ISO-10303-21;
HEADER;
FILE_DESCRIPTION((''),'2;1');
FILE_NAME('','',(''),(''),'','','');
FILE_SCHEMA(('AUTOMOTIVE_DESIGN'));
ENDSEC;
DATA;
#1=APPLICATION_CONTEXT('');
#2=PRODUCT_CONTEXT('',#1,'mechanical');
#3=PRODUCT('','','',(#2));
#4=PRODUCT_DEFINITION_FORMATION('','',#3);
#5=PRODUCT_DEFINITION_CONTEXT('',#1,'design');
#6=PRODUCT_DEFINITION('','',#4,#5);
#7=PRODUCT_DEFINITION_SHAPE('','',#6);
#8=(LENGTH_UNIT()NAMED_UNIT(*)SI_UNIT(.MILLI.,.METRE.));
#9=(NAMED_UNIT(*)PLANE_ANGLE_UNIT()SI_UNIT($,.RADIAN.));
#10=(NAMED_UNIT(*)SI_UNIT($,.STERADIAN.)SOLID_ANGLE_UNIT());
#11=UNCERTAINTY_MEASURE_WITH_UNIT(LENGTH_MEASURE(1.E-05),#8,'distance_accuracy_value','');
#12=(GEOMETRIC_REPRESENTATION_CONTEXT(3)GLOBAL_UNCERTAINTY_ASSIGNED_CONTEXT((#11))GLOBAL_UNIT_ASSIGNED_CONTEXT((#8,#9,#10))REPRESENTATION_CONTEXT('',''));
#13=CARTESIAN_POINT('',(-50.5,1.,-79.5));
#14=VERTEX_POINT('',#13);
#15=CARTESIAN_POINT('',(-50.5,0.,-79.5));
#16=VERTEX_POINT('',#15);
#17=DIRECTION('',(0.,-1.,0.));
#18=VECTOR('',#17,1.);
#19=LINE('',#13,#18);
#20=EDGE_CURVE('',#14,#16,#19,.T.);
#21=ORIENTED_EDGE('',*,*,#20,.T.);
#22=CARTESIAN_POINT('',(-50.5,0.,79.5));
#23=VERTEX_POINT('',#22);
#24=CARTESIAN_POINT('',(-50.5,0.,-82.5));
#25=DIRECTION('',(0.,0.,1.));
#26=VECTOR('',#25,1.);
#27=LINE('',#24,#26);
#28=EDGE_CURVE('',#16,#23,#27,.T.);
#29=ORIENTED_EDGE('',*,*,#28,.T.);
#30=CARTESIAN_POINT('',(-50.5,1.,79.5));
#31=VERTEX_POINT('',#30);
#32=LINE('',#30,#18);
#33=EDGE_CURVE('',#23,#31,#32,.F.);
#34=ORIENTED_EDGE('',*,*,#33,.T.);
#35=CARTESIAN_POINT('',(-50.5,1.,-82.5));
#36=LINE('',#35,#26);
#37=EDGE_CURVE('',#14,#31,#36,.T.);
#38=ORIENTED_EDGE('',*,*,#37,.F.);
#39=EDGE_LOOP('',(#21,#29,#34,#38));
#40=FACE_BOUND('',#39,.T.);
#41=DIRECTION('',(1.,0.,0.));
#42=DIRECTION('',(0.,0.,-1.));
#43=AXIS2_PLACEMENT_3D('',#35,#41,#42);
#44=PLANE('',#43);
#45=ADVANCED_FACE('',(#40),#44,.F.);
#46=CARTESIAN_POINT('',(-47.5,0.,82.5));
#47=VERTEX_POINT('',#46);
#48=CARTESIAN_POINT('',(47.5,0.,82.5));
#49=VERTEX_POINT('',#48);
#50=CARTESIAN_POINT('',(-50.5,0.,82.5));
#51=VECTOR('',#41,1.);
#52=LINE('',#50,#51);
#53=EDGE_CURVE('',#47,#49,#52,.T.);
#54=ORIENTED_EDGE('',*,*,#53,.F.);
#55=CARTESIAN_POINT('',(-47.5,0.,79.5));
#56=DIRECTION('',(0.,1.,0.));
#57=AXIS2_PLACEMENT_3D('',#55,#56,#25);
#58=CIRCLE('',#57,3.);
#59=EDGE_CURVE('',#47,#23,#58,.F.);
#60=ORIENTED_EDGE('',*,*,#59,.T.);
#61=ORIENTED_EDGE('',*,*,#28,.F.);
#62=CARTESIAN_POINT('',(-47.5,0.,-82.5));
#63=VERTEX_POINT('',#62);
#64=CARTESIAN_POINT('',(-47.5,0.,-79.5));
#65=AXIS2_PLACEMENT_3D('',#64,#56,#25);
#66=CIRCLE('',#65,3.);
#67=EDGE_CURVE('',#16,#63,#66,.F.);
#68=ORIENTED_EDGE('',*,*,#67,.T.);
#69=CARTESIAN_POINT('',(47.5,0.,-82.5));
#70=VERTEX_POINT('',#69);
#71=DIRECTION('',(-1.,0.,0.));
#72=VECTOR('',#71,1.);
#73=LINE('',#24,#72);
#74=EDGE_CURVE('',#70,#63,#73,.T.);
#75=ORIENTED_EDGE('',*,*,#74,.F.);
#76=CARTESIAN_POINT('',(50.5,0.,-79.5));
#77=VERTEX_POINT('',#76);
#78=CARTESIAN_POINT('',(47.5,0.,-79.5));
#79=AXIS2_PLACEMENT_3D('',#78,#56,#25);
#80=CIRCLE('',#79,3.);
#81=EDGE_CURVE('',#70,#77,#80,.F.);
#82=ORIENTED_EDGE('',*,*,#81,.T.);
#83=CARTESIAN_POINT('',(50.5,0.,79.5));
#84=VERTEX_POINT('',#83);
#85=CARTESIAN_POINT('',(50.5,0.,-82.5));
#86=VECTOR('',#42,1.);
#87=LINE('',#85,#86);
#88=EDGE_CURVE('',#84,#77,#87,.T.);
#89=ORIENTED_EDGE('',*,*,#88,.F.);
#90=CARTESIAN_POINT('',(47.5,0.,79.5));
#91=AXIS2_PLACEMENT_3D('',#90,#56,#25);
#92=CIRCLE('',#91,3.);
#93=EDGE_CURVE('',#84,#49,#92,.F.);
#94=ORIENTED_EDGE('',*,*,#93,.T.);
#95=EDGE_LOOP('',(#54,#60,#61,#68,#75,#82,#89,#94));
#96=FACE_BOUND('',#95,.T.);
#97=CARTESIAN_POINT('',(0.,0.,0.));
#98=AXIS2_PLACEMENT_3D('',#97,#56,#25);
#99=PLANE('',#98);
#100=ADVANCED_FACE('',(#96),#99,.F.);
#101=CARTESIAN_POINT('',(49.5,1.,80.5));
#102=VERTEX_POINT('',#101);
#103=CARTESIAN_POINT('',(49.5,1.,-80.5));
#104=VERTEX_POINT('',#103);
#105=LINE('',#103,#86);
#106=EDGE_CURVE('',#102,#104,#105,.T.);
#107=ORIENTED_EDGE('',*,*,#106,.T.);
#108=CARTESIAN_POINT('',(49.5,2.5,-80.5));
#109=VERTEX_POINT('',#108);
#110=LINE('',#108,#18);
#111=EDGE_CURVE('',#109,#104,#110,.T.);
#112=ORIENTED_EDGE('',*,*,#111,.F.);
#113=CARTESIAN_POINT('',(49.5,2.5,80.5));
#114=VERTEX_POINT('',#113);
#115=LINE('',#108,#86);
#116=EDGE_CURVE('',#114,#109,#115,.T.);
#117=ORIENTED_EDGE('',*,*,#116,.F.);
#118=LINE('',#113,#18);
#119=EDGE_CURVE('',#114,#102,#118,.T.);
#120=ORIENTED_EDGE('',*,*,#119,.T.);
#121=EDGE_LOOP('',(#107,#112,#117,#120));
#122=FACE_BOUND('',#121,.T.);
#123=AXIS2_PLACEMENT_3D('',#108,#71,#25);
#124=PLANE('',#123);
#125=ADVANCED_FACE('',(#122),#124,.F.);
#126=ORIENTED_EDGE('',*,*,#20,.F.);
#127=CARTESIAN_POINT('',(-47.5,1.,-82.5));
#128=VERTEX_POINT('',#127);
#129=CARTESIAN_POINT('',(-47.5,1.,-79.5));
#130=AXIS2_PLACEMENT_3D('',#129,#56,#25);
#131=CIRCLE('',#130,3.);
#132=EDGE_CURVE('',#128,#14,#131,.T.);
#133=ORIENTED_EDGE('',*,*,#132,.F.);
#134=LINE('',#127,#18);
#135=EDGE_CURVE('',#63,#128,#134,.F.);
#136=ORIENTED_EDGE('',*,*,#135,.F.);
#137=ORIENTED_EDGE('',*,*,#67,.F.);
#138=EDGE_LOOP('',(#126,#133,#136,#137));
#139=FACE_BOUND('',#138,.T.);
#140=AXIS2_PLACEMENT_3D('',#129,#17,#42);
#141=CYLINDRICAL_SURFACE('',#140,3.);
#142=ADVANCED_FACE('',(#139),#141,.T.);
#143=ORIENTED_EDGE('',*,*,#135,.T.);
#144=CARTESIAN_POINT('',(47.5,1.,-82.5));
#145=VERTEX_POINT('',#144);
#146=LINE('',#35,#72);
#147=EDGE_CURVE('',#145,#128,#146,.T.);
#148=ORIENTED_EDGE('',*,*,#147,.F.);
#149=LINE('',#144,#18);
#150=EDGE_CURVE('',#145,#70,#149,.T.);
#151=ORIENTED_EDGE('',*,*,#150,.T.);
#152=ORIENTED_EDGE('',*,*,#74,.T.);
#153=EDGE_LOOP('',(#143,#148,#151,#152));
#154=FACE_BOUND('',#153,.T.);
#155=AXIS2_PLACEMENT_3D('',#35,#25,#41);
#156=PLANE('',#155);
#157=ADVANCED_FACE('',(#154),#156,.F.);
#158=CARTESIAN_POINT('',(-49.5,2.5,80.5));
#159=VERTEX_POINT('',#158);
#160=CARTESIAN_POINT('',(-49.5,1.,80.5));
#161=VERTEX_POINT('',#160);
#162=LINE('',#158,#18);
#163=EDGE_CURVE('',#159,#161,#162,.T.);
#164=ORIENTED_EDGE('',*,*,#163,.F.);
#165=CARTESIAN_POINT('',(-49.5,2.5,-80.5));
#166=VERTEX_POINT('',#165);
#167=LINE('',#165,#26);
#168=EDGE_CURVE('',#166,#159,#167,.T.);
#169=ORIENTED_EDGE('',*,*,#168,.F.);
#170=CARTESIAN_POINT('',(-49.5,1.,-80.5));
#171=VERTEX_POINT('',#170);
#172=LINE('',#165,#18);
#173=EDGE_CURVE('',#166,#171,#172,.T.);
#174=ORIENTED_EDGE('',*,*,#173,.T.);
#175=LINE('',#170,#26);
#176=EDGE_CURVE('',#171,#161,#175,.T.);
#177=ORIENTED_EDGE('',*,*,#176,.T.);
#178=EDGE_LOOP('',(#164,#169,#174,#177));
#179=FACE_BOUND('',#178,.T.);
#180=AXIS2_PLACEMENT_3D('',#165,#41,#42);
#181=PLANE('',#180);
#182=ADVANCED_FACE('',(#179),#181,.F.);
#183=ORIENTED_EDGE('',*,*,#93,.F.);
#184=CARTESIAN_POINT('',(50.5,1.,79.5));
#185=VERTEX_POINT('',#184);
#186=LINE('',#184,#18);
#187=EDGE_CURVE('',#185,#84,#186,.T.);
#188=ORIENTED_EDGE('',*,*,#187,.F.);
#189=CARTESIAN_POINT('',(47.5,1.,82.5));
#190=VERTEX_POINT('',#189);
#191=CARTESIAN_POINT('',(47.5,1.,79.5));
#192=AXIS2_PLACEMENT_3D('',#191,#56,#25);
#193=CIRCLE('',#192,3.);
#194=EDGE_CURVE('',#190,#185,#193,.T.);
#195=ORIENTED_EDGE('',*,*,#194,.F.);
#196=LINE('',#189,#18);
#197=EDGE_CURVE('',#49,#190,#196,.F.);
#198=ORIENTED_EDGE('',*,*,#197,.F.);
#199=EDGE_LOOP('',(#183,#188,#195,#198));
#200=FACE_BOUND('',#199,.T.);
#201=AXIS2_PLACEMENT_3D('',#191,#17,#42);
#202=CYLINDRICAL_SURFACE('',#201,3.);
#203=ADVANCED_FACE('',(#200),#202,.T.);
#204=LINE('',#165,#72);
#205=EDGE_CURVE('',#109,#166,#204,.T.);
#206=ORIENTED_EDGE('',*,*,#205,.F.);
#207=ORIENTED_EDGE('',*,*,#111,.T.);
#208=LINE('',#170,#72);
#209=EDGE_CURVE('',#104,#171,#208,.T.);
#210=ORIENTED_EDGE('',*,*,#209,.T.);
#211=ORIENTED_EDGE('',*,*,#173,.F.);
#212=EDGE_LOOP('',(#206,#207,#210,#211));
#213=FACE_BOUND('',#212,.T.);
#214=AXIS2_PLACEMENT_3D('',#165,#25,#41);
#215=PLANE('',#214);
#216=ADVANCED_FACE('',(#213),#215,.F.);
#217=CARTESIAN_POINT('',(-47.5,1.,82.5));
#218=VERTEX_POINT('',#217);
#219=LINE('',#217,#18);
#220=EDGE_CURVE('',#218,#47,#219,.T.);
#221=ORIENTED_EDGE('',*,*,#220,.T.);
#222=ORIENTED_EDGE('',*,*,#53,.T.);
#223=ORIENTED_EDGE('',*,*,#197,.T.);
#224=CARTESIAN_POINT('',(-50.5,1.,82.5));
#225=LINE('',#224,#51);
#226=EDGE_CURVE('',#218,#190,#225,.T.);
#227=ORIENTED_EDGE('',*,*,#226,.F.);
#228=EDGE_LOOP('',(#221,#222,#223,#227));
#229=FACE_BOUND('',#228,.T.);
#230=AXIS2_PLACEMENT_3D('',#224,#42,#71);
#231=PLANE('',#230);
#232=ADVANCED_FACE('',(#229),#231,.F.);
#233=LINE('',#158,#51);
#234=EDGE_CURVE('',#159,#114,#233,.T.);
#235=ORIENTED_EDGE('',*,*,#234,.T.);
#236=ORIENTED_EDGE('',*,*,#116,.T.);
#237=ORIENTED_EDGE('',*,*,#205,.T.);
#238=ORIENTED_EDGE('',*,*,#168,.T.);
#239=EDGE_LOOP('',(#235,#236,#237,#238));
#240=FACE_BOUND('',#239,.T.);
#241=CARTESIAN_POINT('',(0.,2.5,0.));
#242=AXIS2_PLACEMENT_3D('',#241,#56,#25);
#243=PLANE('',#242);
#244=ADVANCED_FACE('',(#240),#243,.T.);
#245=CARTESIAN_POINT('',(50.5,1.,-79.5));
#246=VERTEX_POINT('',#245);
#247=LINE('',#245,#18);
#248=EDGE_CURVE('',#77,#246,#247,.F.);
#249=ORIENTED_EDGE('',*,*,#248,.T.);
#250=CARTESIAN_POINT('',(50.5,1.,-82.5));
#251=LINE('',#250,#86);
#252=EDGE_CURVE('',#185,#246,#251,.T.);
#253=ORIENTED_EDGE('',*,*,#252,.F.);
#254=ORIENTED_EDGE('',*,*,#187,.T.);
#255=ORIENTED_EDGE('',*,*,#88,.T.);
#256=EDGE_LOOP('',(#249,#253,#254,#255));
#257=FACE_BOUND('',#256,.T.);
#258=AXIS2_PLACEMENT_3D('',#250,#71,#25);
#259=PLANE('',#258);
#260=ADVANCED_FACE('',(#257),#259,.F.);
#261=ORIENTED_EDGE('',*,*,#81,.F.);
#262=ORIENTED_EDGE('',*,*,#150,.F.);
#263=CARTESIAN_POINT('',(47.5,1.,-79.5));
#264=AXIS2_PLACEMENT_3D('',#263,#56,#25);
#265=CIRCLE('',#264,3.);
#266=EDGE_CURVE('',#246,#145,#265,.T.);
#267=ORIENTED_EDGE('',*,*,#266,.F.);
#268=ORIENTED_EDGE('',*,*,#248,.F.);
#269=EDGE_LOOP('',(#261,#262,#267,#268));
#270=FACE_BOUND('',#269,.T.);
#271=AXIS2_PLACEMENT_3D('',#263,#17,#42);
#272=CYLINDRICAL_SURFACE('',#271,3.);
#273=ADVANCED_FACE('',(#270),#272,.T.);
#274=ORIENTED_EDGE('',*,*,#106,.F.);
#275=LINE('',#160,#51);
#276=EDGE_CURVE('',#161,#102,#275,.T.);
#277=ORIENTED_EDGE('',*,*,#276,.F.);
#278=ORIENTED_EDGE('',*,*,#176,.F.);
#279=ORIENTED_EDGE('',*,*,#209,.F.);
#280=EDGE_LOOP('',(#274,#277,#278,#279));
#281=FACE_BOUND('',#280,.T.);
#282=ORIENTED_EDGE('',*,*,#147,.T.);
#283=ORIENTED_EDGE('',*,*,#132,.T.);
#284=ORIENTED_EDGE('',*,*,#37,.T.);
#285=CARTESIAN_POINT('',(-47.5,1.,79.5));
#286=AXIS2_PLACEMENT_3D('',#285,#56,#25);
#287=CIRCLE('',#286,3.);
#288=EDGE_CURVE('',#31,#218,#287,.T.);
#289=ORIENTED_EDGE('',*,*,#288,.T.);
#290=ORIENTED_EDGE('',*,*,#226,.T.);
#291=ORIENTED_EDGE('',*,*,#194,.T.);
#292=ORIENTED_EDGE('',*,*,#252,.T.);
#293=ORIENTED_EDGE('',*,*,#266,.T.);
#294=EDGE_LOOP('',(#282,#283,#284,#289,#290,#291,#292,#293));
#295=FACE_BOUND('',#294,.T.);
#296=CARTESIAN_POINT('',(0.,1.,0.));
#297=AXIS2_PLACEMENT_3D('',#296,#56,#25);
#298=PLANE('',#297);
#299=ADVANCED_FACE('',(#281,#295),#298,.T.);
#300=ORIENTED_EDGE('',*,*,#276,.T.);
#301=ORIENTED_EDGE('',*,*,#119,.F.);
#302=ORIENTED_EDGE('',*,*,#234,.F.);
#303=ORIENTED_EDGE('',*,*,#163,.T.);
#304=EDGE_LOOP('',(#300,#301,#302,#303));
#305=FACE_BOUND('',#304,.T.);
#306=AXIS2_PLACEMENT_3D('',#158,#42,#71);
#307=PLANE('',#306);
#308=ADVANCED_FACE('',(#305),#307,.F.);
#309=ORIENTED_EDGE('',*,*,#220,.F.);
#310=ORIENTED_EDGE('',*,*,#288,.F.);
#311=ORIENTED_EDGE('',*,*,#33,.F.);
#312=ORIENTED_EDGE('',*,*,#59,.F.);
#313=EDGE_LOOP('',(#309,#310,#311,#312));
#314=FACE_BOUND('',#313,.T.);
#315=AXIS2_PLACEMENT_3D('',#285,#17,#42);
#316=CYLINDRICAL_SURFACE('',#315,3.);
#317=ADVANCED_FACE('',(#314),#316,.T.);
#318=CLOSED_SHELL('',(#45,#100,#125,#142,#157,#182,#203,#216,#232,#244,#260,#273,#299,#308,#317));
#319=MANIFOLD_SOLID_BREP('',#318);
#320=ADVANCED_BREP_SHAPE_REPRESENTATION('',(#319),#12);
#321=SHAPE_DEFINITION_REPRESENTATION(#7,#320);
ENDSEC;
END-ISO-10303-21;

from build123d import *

# Parameters (mm, degrees)
SKETCH1_W           = 101
SKETCH1_H           = 165
BOSS_EXTRUDE1_DEPTH = 1
SKETCH2_W           = 99
SKETCH2_H           = 161
BOSS_EXTRUDE2_DEPTH = 1.5
FILLET1_R           = 3


with BuildPart() as part:
    # Sketch1 → Boss-Extrude1 (new body)
    with BuildSketch(Plane(origin=(0, 0, 0), x_dir=(1, 0, 0), z_dir=(0, 1, 0))):
        Rectangle(SKETCH1_W, SKETCH1_H)
    extrude(amount=BOSS_EXTRUDE1_DEPTH)

    # Sketch2 → Boss-Extrude2 (add)
    with BuildSketch(Plane(origin=(0, 1, 0), x_dir=(1, 0, 0), z_dir=(0, 1, 0))):
        Rectangle(SKETCH2_W, SKETCH2_H)
    extrude(amount=BOSS_EXTRUDE2_DEPTH)

    # Fillet1
    fillet1_edges = [part.edges().sort_by_distance(p)[0] for p in [
        (50.5, 0.5, 82.5),
        (-50.5, 0.5, 82.5),
        (-50.5, 0.5, -82.5),
        (50.5, 0.5, -82.5),
    ]]
    fillet(fillet1_edges, radius=FILLET1_R)


solid = part.part
